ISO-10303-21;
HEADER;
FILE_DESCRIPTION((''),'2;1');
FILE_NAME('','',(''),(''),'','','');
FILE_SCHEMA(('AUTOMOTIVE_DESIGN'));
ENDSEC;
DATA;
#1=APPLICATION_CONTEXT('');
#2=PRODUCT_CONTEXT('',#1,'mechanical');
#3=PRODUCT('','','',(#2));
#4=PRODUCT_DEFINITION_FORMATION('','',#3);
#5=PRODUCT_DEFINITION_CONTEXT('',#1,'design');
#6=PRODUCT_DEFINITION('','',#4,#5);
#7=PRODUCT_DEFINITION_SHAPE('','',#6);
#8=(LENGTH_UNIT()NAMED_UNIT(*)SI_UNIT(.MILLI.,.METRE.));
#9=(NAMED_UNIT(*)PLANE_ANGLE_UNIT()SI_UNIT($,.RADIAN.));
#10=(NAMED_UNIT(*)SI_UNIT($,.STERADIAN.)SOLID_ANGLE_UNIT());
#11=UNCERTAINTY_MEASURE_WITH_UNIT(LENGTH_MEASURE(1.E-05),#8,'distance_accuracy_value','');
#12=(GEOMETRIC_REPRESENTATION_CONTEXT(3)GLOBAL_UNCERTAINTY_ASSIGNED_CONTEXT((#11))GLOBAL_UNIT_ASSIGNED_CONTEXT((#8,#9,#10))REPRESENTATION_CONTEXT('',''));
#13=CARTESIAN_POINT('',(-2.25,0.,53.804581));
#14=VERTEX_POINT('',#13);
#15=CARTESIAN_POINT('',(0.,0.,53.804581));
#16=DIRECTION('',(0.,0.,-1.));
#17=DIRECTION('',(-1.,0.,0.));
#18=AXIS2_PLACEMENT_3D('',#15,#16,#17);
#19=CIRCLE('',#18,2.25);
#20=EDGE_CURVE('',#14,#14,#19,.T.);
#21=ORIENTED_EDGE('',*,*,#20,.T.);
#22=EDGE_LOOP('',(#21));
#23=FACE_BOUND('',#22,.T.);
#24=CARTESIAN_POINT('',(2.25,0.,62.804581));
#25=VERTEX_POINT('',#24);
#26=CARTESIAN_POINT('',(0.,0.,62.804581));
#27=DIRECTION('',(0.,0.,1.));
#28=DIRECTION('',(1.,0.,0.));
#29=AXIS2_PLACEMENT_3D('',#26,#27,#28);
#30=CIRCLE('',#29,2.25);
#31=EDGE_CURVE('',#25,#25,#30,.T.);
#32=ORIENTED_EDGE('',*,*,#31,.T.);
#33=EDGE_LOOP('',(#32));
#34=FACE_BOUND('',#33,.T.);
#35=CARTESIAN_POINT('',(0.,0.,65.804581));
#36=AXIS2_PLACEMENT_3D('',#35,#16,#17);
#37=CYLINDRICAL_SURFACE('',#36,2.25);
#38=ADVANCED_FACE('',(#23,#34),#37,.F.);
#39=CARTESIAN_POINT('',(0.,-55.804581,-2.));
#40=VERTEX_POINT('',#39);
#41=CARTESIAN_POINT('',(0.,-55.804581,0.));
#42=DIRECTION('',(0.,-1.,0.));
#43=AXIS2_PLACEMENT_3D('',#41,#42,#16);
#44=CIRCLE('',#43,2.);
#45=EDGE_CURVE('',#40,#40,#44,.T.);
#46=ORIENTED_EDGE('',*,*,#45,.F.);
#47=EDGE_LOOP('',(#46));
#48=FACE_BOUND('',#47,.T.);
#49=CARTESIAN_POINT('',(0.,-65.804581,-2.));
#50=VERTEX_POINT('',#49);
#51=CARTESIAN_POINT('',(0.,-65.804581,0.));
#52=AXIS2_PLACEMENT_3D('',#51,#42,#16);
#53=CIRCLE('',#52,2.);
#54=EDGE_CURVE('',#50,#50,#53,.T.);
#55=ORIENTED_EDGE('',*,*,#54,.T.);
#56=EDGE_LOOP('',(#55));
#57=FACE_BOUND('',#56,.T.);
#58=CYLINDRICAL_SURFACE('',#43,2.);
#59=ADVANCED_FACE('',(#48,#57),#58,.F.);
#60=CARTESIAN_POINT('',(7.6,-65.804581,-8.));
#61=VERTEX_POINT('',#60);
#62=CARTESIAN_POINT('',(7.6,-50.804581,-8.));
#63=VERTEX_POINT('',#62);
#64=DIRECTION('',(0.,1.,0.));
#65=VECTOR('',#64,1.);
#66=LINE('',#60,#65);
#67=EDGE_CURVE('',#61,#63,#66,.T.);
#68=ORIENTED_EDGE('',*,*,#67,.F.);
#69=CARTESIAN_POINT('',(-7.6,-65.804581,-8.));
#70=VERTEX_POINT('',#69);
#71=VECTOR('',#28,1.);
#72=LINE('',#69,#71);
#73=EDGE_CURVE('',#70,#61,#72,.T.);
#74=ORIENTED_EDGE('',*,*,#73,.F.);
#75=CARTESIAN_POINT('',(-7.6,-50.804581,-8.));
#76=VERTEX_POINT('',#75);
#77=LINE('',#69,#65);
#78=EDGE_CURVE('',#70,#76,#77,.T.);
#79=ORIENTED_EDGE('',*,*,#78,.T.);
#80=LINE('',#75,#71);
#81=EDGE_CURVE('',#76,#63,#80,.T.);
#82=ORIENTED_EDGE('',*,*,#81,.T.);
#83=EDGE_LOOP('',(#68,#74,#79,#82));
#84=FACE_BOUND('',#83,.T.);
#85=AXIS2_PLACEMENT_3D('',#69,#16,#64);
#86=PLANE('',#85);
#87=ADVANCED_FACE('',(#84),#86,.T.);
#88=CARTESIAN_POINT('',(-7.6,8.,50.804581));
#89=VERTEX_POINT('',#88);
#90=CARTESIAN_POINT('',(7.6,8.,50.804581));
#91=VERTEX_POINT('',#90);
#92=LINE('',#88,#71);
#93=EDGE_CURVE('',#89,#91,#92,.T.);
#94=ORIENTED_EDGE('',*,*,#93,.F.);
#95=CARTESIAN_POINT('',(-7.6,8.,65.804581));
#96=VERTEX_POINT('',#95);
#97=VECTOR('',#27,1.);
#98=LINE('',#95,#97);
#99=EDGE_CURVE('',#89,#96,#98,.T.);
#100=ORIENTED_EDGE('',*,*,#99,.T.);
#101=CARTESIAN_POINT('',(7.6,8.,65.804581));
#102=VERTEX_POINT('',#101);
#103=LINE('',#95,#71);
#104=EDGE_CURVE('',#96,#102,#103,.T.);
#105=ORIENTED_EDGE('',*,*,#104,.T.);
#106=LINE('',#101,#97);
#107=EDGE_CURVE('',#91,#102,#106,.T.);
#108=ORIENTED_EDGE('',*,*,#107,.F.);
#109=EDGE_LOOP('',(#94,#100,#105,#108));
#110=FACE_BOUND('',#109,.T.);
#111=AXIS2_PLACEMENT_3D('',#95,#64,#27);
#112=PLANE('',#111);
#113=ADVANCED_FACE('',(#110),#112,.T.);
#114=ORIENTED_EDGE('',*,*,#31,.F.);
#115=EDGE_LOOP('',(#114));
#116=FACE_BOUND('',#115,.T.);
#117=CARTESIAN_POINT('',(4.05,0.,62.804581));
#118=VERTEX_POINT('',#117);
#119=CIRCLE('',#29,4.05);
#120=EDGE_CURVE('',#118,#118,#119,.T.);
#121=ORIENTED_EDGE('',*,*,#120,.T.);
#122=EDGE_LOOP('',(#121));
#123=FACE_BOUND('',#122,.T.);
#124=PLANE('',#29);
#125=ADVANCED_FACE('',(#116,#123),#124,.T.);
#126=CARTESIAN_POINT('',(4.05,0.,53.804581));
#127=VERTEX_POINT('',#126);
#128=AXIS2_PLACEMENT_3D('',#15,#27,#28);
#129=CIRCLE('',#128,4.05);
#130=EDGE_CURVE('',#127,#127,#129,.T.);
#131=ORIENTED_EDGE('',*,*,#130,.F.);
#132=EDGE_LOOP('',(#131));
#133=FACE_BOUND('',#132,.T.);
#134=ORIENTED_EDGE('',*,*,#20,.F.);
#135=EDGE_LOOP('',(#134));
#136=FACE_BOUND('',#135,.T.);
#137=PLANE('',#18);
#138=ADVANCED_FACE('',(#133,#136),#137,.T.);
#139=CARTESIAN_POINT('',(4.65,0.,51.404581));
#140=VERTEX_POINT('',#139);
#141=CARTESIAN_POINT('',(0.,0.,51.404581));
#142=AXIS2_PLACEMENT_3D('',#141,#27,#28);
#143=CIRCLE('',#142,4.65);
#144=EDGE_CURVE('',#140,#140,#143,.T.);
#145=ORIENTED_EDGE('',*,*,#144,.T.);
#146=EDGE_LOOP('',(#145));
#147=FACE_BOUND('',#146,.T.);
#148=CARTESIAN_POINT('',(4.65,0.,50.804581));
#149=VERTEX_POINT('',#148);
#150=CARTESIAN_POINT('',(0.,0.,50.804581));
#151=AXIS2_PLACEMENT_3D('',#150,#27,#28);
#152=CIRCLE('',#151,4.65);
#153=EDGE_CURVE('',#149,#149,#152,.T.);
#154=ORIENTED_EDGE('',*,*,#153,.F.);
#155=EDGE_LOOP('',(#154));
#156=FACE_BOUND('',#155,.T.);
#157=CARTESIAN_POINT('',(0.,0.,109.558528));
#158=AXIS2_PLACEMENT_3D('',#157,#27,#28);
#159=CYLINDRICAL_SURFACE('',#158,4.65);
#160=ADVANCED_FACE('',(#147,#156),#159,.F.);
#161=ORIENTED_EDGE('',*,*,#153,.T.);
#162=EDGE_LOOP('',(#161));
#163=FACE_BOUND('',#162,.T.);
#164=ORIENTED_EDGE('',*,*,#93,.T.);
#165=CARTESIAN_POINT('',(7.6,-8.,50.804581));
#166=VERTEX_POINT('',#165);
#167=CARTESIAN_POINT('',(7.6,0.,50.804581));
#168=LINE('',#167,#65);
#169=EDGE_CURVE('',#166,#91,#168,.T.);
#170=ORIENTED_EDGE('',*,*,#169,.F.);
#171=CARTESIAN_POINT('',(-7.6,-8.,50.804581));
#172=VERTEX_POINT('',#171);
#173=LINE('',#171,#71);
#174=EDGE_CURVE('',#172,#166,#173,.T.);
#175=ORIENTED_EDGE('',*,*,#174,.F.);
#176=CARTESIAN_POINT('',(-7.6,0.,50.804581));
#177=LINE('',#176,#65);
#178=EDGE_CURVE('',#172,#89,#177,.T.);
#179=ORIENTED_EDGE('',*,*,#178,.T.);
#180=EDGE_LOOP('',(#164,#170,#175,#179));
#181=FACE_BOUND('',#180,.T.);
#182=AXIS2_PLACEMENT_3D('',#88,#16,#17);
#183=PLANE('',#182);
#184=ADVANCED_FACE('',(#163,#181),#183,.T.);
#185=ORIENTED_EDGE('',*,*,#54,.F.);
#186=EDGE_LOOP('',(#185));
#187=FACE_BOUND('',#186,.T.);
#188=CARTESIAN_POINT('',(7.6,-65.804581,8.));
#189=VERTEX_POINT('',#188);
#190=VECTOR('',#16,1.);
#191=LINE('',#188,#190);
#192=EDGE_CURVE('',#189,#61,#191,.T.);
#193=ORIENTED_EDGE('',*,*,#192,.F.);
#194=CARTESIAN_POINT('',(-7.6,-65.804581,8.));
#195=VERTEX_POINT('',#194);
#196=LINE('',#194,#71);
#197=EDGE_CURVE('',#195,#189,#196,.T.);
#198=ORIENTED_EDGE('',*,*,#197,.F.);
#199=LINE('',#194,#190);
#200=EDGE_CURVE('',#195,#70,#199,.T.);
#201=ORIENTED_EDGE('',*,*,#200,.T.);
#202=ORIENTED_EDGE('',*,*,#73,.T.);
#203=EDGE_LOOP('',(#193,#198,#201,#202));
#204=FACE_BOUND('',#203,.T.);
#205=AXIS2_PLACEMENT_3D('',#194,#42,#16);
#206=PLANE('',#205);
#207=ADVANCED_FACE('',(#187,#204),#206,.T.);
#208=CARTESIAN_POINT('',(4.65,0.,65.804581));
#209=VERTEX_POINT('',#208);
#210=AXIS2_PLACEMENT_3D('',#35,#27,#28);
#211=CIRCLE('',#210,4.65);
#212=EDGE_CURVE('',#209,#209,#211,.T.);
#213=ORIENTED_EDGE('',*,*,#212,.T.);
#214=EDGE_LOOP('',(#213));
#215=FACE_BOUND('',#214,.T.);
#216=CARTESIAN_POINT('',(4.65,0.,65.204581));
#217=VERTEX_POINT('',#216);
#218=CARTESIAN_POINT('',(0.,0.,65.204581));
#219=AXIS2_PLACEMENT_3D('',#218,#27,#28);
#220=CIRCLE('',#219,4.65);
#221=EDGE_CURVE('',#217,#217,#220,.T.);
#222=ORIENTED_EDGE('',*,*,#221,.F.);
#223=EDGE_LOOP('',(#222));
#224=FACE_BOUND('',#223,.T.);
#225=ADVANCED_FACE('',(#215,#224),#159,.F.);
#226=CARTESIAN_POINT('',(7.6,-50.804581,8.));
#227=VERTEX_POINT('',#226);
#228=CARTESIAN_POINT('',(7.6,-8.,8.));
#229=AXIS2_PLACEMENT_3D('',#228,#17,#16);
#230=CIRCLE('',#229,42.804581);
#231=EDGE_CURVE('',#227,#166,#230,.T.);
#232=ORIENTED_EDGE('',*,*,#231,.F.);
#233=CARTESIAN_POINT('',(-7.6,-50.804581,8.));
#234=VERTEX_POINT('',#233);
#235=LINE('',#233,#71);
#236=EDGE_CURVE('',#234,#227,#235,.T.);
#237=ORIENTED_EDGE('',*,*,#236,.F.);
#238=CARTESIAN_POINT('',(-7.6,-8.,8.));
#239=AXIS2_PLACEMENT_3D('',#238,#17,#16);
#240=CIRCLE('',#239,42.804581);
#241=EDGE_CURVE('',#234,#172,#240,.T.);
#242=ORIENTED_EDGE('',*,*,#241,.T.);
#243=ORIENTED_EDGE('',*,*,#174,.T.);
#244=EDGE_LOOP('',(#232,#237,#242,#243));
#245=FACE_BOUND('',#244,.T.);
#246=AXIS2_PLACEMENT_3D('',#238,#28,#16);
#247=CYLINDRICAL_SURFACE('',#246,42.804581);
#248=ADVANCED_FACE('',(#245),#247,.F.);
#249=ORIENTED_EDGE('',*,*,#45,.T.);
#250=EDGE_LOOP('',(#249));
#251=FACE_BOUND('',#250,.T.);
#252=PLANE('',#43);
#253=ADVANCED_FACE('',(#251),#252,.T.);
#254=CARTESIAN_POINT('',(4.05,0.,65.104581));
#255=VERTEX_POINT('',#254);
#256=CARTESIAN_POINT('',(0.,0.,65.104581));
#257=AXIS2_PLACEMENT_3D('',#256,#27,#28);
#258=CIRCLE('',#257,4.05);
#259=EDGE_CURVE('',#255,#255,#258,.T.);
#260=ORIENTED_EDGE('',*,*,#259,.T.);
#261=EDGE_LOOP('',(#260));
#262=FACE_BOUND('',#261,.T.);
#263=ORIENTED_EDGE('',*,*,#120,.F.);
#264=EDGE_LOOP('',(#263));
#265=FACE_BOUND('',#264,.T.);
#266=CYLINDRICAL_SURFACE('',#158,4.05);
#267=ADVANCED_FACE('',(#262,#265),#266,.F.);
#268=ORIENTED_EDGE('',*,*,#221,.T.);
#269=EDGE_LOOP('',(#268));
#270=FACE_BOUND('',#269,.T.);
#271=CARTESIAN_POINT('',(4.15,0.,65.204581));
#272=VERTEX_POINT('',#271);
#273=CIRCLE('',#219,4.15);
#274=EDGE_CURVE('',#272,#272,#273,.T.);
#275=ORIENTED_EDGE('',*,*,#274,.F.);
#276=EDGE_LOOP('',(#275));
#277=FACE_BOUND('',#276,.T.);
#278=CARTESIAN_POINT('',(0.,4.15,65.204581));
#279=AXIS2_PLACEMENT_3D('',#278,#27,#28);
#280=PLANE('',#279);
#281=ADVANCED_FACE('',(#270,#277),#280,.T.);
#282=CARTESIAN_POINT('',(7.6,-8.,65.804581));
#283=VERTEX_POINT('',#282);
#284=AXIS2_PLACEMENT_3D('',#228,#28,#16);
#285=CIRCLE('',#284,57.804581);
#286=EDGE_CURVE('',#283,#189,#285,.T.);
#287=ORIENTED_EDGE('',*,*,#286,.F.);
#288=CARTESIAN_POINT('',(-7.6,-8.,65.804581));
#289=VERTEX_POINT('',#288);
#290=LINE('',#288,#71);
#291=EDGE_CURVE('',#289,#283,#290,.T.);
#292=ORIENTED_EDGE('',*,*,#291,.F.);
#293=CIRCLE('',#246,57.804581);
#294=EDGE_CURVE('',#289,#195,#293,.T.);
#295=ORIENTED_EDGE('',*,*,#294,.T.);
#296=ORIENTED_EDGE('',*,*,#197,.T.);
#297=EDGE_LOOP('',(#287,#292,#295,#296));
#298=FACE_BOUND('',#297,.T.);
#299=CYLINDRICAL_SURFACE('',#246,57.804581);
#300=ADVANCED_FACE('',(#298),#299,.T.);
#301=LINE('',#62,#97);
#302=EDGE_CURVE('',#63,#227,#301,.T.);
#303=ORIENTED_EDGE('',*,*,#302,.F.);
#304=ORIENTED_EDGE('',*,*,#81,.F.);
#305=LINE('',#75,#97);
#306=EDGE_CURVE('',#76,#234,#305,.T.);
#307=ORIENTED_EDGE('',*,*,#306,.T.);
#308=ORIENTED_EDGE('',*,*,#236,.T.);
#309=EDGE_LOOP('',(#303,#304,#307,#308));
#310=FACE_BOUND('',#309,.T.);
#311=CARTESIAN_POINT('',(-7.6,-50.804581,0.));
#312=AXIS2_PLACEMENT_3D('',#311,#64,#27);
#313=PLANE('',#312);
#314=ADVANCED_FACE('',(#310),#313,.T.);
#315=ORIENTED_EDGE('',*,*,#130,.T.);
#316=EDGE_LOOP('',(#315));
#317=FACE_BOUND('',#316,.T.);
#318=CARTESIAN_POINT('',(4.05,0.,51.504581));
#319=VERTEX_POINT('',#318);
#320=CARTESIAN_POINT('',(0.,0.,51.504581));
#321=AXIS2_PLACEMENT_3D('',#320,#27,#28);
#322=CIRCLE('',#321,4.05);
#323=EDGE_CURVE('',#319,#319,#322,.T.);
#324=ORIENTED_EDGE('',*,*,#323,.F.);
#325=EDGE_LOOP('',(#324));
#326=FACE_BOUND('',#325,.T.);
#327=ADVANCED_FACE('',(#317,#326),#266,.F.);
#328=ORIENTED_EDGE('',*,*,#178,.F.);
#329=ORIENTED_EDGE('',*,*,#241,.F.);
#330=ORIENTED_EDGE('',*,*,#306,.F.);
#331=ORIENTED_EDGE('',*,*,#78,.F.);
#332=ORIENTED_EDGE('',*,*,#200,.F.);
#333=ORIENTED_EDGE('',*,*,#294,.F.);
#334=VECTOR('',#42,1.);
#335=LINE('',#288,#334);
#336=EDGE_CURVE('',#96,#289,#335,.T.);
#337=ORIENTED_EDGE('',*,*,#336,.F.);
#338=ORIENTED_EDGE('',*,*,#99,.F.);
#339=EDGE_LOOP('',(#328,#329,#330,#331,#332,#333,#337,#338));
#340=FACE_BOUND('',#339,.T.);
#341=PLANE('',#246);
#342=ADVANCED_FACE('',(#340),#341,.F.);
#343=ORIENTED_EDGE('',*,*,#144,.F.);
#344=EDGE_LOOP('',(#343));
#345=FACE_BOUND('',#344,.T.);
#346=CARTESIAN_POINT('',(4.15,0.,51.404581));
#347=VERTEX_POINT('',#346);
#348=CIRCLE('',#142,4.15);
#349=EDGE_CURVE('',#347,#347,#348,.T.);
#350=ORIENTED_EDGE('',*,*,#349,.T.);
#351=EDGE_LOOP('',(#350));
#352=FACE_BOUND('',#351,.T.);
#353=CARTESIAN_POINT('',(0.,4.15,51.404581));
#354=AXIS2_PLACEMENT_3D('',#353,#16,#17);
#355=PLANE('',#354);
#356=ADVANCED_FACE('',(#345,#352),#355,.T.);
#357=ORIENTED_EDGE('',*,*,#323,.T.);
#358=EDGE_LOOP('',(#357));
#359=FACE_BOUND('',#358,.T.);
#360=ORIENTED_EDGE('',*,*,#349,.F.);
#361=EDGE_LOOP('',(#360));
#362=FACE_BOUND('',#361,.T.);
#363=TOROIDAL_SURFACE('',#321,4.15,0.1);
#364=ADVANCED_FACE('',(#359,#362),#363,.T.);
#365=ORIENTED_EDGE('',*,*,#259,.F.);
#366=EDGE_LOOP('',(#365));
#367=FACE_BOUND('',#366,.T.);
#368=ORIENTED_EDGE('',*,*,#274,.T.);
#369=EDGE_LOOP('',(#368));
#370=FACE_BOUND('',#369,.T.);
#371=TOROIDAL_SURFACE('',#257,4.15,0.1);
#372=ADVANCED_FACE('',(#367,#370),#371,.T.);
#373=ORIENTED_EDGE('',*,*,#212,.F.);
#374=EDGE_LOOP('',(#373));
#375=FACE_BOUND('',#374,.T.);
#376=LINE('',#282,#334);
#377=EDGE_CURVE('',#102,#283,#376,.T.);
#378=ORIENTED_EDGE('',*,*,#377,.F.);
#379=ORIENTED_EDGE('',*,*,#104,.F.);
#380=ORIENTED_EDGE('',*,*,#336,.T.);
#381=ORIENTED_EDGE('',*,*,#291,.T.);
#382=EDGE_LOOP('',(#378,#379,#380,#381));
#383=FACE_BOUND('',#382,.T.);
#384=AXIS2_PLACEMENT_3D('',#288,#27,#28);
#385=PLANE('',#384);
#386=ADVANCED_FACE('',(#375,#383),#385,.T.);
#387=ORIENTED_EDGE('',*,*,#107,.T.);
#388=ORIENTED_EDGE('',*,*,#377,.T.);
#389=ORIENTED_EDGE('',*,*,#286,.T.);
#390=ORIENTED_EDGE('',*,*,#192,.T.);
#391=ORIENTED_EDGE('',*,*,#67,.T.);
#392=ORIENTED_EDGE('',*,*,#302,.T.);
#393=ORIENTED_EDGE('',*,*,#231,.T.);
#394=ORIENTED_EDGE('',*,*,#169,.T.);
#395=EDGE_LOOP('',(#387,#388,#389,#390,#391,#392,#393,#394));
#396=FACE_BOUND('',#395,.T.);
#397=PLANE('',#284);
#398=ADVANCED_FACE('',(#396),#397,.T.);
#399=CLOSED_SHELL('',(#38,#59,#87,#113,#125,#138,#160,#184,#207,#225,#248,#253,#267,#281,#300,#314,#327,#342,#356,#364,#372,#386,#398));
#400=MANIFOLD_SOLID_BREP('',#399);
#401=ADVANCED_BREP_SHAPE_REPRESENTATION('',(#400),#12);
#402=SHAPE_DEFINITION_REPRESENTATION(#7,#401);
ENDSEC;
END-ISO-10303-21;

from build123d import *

# Parameters (mm, degrees)
BOSS_EXTRUDE1_DEPTH      = 7.6
BOSS_EXTRUDE1_DEPTH_BACK = 7.6
SKETCH7_R                = 2.25
CUT_EXTRUDE1_DEPTH       = 94.371547498
SKETCH15_R               = 2
CUT_EXTRUDE11_DEPTH      = 10


with BuildPart() as part:
    # Sketch5 → Boss-Extrude1 (new, two sides: drawn at the far end of the back side and taken through both)
    with BuildSketch(Plane(origin=(0, 0, 0), x_dir=(0, 0, -1), z_dir=(1, 0, 0)).offset(-BOSS_EXTRUDE1_DEPTH_BACK)):
        with BuildLine():
            Line((-50.80458146, 8), (-50.80458146, 0))
            Line((-50.80458146, 0), (-50.80458146, -8))
            ThreePointArc((-50.80458146, -8), (-38.267409816, -38.267409816), (-8, -50.80458146))
            Line((-8, -50.80458146), (0, -50.80458146))
            Line((0, -50.80458146), (8, -50.80458146))
            Line((8, -50.80458146), (8, -65.80458146))
            Line((8, -65.80458146), (-8, -65.80458146))
            ThreePointArc((-8, -65.80458146), (-48.874011534, -48.874011534), (-65.80458146, -8))
            Line((-65.80458146, -8), (-65.80458146, 8))
            Line((-65.80458146, 8), (-50.80458146, 8))
        make_face()
    extrude(amount=BOSS_EXTRUDE1_DEPTH + BOSS_EXTRUDE1_DEPTH_BACK)

    # Sketch7 → Cut-Extrude1 (cut, through all)
    with BuildSketch(Plane.XY):
        Circle(SKETCH7_R)
    extrude(amount=CUT_EXTRUDE1_DEPTH, mode=Mode.SUBTRACT)

    # Sketch15 → Cut-Extrude11 (cut)
    with BuildSketch(Plane.XZ.offset(65.80458146)):
        Circle(SKETCH15_R)
    extrude(amount=-CUT_EXTRUDE11_DEPTH, mode=Mode.SUBTRACT)

    # Sketch18 → Cut-Revolve1 (revolve, cut)
    with BuildSketch(Plane(origin=(0, 0, 0), x_dir=(0, 0, -1), z_dir=(1, 0, 0))):
        with BuildLine():
            Line((-65.80458146, 4.65), (-65.80458146, 0))
            Line((-65.80458146, 0), (-62.80458146, 0))
            Line((-62.80458146, 0), (-62.80458146, 4.05))
            Line((-62.80458146, 4.05), (-65.10458146, 4.05))
            ThreePointArc((-65.10458146, 4.05), (-65.175292138, 4.079289322), (-65.20458146, 4.15))
            Line((-65.20458146, 4.15), (-65.20458146, 4.65))
            Line((-65.20458146, 4.65), (-65.80458146, 4.65))
        make_face()
        with BuildLine():
            Line((-51.40458146, 4.65), (-50.80458146, 4.65))
            Line((-50.80458146, 4.65), (-50.80458146, 0))
            Line((-50.80458146, 0), (-53.80458146, 0))
            Line((-53.80458146, 0), (-53.80458146, 4.05))
            Line((-53.80458146, 4.05), (-51.50458146, 4.05))
            ThreePointArc((-51.50458146, 4.05), (-51.433870782, 4.079289322), (-51.40458146, 4.15))
            Line((-51.40458146, 4.15), (-51.40458146, 4.65))
        make_face()
    revolve(axis=Axis((0, 0, 109.558527697), (0, 0, -1)), mode=Mode.SUBTRACT)


solid = part.part
